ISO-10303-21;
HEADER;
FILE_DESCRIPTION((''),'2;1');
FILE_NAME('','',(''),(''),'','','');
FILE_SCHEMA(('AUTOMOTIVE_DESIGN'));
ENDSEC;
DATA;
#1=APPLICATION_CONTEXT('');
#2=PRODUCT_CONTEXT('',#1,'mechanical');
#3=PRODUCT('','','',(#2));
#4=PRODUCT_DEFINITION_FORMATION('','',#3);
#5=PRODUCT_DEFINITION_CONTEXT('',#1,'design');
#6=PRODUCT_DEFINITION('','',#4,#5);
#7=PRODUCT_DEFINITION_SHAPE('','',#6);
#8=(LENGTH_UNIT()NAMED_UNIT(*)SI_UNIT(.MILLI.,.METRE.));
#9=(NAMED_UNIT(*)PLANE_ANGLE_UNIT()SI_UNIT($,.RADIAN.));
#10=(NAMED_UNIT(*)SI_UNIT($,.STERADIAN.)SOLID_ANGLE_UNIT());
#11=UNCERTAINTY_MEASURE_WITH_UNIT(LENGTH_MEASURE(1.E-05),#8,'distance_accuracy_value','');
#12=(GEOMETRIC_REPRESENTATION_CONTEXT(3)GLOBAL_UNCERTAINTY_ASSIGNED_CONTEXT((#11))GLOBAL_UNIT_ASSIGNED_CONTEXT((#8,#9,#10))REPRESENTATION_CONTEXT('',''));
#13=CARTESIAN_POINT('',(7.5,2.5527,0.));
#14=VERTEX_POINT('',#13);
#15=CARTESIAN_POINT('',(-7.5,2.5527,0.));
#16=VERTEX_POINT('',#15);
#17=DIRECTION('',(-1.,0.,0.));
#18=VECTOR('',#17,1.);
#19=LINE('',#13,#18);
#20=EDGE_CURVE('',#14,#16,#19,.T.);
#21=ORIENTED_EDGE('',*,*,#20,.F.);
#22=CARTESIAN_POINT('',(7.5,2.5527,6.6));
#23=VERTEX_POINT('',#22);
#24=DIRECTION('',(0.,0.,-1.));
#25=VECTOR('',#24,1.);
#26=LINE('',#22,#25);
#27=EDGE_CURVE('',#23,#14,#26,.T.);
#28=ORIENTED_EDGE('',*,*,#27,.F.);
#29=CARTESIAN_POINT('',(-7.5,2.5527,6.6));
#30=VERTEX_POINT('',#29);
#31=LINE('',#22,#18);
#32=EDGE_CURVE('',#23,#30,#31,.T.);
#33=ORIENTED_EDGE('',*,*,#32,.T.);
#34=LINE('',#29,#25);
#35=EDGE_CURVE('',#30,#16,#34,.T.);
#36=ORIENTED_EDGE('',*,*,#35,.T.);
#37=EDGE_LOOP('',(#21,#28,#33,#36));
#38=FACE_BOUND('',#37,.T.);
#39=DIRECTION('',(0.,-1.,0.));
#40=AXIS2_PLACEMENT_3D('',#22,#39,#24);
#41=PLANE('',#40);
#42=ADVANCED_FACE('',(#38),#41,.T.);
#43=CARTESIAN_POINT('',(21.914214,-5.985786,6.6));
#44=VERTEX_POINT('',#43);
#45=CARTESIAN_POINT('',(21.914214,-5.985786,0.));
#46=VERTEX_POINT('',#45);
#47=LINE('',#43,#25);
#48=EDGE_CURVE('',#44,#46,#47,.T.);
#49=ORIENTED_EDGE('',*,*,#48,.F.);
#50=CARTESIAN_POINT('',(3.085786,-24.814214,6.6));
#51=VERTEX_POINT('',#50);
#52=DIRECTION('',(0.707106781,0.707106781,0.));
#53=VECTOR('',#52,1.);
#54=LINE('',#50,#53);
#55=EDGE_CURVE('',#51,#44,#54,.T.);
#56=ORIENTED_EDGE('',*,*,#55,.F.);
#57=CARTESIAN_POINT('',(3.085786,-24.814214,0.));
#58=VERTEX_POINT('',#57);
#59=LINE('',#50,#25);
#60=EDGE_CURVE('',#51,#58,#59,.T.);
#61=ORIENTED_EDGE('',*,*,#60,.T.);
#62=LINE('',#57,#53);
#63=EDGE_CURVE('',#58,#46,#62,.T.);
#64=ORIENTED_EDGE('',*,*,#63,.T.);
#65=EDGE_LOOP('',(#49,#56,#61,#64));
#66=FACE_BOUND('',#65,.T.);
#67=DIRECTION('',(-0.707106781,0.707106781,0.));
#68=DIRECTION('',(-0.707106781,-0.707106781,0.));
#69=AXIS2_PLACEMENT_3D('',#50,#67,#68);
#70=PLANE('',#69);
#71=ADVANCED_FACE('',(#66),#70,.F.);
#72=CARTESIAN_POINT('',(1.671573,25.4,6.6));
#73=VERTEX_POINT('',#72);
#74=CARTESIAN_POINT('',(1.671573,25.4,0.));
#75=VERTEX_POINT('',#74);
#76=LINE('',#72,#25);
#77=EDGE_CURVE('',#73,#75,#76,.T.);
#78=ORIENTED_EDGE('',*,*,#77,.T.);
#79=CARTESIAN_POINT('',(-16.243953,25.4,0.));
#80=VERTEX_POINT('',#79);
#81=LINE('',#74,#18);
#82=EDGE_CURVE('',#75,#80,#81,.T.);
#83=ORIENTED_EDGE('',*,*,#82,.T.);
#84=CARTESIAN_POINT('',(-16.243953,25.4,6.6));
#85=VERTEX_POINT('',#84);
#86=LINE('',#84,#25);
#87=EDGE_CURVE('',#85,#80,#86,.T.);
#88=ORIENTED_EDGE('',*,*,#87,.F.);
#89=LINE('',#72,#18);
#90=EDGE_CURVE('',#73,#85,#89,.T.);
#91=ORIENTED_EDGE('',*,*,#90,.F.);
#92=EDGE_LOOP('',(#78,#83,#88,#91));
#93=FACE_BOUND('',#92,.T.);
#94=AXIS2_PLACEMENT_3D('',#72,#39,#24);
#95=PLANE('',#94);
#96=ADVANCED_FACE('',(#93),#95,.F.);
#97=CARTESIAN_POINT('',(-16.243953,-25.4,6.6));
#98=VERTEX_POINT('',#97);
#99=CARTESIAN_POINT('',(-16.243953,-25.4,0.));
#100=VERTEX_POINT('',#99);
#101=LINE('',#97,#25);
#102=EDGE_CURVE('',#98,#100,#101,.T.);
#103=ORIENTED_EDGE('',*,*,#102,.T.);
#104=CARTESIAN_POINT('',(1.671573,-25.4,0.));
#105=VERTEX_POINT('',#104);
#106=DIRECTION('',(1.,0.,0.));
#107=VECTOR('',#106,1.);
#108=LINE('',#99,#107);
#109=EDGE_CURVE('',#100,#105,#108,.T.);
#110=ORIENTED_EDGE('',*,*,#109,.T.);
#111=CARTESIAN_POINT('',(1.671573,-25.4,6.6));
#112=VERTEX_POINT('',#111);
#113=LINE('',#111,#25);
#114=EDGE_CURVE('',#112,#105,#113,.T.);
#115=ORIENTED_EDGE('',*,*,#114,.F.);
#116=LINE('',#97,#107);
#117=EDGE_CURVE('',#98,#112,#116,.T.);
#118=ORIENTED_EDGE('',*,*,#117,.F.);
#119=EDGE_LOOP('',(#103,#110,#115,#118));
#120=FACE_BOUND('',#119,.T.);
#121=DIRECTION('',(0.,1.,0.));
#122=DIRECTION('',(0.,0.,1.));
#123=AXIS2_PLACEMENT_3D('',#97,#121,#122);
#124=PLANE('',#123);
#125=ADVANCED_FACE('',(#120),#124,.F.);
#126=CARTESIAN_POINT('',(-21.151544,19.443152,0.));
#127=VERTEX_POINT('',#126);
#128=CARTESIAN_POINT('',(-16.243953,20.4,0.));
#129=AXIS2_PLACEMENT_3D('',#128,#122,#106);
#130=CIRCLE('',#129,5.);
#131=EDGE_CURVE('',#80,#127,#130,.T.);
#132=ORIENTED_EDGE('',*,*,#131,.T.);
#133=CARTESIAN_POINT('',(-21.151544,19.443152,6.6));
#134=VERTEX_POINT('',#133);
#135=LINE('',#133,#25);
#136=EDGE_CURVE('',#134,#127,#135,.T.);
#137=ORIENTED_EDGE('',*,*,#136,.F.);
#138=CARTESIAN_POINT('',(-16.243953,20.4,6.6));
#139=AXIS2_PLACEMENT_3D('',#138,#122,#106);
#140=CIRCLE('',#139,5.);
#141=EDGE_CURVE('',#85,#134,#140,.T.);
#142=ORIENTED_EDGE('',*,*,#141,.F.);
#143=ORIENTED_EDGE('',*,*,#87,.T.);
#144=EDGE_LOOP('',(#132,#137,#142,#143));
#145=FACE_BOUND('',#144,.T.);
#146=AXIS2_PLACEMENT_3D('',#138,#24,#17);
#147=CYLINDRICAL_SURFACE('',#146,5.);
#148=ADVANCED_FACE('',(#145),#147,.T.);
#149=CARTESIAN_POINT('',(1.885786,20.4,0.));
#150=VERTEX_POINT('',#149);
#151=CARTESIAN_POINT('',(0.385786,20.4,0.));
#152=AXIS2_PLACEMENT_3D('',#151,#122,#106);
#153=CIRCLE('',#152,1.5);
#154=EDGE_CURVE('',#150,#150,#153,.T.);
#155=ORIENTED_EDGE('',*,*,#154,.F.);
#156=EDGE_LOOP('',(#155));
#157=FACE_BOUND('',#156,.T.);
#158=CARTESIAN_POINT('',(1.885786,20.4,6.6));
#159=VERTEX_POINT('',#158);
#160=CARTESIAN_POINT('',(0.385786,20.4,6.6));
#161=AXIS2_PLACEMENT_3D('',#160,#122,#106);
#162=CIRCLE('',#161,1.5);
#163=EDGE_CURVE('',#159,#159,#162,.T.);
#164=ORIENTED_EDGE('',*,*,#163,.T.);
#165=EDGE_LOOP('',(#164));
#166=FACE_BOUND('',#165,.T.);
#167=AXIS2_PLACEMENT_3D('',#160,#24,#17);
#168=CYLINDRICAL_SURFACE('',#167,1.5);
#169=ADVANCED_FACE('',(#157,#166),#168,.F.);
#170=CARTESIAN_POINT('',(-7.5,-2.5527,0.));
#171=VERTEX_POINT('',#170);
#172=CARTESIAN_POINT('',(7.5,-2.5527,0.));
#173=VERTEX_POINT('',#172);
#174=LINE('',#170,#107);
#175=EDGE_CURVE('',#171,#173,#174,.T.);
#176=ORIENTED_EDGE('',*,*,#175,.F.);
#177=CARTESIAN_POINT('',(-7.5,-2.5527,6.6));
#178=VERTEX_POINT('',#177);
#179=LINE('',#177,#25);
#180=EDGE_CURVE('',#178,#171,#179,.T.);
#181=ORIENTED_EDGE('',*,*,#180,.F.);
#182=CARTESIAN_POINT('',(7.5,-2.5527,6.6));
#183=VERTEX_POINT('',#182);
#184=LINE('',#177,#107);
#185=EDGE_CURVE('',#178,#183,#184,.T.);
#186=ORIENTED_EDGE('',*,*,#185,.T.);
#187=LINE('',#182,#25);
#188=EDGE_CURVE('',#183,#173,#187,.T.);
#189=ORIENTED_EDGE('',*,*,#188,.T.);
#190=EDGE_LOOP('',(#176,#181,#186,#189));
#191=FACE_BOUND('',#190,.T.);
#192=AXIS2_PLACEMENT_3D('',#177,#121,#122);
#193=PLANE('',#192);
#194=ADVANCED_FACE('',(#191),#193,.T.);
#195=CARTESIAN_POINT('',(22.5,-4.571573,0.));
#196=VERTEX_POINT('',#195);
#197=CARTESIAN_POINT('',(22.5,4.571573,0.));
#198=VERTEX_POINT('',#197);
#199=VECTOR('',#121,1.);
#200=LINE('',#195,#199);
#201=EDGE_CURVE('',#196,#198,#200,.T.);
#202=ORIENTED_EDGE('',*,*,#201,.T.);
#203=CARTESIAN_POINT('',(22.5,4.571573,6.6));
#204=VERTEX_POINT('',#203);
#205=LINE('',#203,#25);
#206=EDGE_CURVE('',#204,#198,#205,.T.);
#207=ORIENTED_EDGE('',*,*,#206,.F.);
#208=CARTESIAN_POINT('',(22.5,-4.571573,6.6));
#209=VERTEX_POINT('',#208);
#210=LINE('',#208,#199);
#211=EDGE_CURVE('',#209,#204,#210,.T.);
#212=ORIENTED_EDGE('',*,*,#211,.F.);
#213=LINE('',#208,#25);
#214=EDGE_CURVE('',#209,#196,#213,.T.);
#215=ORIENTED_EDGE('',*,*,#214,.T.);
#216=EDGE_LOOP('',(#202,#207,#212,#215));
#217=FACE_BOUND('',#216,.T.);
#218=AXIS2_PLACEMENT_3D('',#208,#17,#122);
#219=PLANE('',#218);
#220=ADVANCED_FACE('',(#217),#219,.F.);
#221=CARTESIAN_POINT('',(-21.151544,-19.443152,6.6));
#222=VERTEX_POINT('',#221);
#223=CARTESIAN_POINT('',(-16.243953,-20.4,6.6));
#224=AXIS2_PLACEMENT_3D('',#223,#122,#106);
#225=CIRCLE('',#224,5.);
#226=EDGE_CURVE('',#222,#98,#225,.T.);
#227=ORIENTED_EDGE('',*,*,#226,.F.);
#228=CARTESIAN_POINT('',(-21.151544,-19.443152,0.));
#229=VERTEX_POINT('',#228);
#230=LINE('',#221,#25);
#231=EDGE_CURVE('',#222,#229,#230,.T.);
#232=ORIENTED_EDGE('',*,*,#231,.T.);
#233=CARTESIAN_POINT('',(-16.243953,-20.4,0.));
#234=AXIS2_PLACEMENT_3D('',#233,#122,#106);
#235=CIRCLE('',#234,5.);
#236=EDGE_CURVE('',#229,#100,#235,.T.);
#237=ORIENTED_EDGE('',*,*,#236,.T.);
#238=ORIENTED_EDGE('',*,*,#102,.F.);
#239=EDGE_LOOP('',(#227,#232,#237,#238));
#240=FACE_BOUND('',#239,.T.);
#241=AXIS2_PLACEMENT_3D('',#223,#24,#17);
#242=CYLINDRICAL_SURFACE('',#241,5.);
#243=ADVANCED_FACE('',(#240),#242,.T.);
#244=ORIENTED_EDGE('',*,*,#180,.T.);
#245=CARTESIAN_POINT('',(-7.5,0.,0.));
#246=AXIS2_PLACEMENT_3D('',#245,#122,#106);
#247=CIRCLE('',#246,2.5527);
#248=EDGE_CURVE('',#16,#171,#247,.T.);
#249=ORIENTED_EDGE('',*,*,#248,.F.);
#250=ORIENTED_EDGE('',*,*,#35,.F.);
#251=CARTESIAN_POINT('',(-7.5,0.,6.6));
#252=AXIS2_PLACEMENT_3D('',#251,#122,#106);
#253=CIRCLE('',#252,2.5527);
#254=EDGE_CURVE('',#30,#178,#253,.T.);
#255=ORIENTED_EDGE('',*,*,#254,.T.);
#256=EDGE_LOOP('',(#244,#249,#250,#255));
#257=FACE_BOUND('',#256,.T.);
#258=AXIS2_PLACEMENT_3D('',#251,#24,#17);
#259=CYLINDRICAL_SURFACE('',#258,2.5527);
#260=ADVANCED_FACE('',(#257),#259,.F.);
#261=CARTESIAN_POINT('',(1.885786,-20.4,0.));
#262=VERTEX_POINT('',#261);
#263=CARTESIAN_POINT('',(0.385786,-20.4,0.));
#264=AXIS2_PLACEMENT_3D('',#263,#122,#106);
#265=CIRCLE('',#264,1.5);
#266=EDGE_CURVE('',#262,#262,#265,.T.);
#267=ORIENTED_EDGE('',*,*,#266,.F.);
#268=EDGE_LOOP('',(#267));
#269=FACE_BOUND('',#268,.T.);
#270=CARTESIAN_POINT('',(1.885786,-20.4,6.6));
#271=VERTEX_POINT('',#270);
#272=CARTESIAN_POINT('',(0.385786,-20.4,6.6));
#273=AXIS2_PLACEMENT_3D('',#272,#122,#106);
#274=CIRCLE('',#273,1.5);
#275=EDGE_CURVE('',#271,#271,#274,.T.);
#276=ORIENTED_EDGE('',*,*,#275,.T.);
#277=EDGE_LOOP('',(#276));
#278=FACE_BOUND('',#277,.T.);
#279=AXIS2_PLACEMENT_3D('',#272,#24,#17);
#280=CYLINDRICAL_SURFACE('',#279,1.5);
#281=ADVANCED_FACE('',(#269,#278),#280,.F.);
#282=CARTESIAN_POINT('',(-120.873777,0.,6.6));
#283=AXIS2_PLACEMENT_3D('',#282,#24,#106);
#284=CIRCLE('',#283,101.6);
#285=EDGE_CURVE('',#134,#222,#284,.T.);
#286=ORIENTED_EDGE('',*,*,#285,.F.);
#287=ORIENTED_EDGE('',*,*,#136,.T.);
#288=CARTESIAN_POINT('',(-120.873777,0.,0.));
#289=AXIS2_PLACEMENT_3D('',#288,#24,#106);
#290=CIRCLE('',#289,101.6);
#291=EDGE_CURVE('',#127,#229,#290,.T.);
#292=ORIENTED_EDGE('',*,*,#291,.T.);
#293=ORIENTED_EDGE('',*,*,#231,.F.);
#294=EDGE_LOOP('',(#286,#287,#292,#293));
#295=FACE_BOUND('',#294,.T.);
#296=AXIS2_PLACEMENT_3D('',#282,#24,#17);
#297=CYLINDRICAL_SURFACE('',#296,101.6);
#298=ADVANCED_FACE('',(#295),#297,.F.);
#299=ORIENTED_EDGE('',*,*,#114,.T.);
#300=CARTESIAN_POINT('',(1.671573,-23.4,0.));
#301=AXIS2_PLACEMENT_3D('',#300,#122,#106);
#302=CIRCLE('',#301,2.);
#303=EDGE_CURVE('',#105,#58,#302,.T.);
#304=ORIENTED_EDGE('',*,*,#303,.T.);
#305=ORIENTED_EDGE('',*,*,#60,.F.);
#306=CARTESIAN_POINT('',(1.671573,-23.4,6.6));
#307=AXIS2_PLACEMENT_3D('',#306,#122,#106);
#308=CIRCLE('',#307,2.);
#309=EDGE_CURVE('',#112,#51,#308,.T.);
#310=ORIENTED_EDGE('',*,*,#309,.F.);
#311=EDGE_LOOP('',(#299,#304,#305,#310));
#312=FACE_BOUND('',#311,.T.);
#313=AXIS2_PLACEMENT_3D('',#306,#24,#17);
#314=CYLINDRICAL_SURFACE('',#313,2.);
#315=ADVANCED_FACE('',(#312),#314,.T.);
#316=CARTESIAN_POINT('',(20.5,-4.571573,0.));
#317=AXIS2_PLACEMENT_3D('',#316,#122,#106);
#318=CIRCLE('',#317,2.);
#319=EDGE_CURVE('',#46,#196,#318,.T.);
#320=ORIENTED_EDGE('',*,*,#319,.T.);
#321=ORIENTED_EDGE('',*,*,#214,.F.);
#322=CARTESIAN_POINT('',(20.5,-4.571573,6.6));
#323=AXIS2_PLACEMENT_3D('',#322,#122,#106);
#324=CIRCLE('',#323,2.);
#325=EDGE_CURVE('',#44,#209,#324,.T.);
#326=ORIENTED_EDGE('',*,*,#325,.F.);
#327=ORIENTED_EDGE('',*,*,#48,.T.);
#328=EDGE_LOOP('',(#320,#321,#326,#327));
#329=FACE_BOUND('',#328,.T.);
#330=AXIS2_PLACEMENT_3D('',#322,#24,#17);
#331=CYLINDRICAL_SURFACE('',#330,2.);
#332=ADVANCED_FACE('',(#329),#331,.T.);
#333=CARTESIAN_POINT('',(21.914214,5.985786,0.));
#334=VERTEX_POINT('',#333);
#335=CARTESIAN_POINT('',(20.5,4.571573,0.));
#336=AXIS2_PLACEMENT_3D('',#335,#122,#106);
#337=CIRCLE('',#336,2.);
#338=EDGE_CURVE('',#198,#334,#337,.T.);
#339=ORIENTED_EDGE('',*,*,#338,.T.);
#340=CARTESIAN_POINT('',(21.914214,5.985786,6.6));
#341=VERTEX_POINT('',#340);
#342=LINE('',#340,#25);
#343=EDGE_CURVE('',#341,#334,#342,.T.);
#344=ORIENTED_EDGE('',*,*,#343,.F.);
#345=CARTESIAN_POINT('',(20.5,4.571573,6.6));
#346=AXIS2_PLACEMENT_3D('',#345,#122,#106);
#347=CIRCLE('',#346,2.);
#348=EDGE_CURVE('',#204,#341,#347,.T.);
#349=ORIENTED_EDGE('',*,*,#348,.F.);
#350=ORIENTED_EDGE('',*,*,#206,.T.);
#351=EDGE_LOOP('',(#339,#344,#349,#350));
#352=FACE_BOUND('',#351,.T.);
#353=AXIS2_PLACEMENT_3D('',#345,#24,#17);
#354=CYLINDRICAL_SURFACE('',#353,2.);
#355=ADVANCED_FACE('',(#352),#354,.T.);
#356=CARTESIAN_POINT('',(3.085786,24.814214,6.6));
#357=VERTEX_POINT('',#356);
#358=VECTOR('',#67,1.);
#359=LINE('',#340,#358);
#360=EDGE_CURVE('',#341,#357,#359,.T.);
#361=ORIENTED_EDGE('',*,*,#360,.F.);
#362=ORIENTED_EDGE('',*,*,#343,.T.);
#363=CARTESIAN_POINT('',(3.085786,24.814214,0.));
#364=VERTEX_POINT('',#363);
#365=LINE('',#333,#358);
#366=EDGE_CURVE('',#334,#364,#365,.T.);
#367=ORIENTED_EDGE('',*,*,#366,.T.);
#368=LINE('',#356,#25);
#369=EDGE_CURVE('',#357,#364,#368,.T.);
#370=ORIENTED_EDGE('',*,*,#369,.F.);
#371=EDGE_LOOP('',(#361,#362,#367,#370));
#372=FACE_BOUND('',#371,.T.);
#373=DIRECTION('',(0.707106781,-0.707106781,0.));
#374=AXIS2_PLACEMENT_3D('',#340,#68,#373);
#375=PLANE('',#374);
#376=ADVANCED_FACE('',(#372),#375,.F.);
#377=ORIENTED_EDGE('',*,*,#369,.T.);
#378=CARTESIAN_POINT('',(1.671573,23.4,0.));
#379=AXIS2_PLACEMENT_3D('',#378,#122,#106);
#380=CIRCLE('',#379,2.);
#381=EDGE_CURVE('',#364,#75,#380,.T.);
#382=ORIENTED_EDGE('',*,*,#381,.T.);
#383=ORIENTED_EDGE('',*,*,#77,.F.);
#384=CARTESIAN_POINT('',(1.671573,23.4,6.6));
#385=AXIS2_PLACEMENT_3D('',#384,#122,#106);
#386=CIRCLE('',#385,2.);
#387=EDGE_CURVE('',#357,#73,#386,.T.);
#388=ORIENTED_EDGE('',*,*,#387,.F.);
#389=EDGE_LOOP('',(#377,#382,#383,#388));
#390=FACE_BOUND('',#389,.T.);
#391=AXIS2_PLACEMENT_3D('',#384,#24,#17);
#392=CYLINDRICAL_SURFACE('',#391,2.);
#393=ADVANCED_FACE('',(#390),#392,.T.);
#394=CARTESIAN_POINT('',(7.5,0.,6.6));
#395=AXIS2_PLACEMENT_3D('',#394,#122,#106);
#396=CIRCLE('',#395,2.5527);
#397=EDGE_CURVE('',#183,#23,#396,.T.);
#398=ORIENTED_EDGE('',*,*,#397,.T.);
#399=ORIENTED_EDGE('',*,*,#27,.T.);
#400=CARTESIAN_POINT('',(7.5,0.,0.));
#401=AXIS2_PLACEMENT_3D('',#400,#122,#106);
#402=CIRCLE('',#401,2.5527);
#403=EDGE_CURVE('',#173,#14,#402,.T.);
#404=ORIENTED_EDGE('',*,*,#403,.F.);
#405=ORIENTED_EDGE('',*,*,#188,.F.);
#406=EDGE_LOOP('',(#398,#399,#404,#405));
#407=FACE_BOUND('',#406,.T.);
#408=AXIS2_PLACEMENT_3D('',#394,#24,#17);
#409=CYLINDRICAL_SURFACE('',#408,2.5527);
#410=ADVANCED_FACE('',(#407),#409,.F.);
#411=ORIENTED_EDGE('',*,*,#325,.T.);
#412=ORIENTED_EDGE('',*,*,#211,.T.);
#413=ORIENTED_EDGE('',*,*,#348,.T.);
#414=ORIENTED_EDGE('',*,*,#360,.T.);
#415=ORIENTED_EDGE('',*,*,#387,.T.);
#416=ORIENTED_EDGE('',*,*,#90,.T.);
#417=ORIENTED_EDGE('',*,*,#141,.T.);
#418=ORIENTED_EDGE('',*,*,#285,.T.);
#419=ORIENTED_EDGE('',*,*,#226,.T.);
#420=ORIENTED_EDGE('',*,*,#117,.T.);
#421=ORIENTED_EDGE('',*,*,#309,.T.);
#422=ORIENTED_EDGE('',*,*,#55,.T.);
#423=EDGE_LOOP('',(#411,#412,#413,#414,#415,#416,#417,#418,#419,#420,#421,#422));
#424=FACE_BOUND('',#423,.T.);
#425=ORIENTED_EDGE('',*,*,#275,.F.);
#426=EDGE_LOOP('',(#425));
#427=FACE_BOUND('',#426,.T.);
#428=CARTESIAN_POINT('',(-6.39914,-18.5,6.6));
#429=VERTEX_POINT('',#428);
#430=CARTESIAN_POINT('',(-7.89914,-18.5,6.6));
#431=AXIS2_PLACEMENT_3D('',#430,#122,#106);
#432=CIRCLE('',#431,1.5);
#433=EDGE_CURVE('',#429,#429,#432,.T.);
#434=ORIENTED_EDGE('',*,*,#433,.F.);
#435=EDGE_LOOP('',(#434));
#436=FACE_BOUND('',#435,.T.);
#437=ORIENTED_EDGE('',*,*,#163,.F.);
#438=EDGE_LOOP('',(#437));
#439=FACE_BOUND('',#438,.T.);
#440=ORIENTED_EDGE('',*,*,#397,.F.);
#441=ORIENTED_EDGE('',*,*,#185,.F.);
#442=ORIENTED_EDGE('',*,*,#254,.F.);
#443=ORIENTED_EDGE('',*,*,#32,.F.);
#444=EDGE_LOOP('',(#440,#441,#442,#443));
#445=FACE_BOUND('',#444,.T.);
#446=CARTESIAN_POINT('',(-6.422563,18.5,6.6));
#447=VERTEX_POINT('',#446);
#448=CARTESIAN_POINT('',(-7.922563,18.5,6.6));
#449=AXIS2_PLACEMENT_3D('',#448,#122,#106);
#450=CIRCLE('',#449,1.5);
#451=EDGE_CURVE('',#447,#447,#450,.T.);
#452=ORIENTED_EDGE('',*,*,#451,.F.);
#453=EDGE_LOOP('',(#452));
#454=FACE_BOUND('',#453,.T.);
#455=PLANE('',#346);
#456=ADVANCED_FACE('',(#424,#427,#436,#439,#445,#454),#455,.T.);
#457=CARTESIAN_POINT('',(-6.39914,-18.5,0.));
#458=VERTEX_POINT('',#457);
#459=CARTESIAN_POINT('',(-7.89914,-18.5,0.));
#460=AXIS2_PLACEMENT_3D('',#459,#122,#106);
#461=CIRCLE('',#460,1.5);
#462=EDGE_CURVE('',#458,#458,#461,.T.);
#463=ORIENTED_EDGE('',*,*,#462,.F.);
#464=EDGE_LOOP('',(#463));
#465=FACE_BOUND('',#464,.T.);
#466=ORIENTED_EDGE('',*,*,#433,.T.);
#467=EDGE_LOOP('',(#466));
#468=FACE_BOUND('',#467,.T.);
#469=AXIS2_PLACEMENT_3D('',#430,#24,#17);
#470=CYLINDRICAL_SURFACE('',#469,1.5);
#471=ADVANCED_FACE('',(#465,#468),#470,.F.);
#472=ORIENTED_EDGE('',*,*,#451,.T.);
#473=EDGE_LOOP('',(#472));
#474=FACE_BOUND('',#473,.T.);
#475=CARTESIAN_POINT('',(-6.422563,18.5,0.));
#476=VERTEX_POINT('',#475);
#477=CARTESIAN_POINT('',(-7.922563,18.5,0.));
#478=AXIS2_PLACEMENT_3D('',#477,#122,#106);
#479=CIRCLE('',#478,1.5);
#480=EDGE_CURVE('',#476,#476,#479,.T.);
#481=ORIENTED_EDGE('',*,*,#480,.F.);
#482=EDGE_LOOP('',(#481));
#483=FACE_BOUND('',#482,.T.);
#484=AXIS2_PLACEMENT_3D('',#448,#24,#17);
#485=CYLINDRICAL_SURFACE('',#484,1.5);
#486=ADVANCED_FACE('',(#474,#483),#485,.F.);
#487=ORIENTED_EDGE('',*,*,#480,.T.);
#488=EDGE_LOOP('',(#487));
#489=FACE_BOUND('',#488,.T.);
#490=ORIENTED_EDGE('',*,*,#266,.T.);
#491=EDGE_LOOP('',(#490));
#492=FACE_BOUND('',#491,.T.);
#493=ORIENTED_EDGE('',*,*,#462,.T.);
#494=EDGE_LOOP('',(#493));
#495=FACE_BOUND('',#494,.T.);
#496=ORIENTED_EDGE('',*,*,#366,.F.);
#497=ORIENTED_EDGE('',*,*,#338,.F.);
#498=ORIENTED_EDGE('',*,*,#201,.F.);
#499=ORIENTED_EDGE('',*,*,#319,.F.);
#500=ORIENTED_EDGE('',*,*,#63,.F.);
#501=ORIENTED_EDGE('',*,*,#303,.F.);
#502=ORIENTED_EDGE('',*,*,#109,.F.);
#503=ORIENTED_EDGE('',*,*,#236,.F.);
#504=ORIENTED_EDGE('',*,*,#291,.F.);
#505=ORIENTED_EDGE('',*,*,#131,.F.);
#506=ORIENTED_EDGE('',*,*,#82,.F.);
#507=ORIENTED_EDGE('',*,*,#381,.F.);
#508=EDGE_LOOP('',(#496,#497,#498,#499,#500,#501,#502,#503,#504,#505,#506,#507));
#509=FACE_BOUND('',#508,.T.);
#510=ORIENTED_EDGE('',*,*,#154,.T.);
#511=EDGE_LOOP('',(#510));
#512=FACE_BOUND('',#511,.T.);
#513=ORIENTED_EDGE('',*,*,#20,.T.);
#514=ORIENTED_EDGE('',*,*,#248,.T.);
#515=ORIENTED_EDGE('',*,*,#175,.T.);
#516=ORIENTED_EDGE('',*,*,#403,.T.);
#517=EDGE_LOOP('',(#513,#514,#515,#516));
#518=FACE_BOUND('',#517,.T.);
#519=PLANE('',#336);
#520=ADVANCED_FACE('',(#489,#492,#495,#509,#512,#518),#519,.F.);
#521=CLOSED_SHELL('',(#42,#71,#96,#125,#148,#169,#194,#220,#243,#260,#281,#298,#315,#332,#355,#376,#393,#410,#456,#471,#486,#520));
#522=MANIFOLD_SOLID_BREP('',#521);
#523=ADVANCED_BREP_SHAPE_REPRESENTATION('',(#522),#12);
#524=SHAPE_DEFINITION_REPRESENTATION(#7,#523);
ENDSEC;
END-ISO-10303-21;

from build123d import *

# Parameters (mm, degrees)
MODEL_R             = 1.5
BOSS_EXTRUDE1_DEPTH = 6.6


with BuildPart() as part:
    # Model → Boss-Extrude1 (new body)
    with BuildSketch(Plane.XY):
        with BuildLine():
            Line((3.085786438, -24.814213562), (21.914213562, -5.985786438))
            ThreePointArc((21.914213562, -5.985786438), (22.347759065, -5.33693974), (22.5, -4.571572875))
            Line((22.5, -4.571572875), (22.5, 4.571572875))
            ThreePointArc((22.5, 4.571572875), (22.347759065, 5.33693974), (21.914213562, 5.985786438))
            Line((21.914213562, 5.985786438), (3.085786438, 24.814213562))
            ThreePointArc((3.085786438, 24.814213562), (2.43693974, 25.247759065), (1.671572875, 25.4))
            Line((1.671572875, 25.4), (-16.243953329, 25.4))
            ThreePointArc((-16.243953329, 25.4), (-20.102984306, 23.579289217), (-21.151543558, 19.44315197))
            ThreePointArc((-21.151543558, 19.44315197), (-19.273776994, 0), (-21.151543558, -19.44315197))
            ThreePointArc((-21.151543558, -19.44315197), (-20.102984306, -23.579289217), (-16.243953329, -25.4))
            Line((-16.243953329, -25.4), (1.671572875, -25.4))
            ThreePointArc((1.671572875, -25.4), (2.43693974, -25.247759065), (3.085786438, -24.814213562))
        make_face()
        with Locations((0.385786438, 20.4)):
            Circle(MODEL_R, mode=Mode.SUBTRACT)
        with Locations((0.385786438, -20.4)):
            Circle(MODEL_R, mode=Mode.SUBTRACT)
        with Locations((-7.922562904, 18.5)):
            Circle(MODEL_R, mode=Mode.SUBTRACT)
        with Locations((-7.899139633, -18.5)):
            Circle(MODEL_R, mode=Mode.SUBTRACT)
        with BuildLine():
            Line((-7.5, -2.5527), (7.5, -2.5527))
            ThreePointArc((7.5, -2.5527), (10.0527, 0), (7.5, 2.5527))
            Line((7.5, 2.5527), (-7.5, 2.5527))
            ThreePointArc((-7.5, 2.5527), (-10.0527, 0), (-7.5, -2.5527))
        make_face(mode=Mode.SUBTRACT)
    extrude(amount=BOSS_EXTRUDE1_DEPTH)


solid = part.part
